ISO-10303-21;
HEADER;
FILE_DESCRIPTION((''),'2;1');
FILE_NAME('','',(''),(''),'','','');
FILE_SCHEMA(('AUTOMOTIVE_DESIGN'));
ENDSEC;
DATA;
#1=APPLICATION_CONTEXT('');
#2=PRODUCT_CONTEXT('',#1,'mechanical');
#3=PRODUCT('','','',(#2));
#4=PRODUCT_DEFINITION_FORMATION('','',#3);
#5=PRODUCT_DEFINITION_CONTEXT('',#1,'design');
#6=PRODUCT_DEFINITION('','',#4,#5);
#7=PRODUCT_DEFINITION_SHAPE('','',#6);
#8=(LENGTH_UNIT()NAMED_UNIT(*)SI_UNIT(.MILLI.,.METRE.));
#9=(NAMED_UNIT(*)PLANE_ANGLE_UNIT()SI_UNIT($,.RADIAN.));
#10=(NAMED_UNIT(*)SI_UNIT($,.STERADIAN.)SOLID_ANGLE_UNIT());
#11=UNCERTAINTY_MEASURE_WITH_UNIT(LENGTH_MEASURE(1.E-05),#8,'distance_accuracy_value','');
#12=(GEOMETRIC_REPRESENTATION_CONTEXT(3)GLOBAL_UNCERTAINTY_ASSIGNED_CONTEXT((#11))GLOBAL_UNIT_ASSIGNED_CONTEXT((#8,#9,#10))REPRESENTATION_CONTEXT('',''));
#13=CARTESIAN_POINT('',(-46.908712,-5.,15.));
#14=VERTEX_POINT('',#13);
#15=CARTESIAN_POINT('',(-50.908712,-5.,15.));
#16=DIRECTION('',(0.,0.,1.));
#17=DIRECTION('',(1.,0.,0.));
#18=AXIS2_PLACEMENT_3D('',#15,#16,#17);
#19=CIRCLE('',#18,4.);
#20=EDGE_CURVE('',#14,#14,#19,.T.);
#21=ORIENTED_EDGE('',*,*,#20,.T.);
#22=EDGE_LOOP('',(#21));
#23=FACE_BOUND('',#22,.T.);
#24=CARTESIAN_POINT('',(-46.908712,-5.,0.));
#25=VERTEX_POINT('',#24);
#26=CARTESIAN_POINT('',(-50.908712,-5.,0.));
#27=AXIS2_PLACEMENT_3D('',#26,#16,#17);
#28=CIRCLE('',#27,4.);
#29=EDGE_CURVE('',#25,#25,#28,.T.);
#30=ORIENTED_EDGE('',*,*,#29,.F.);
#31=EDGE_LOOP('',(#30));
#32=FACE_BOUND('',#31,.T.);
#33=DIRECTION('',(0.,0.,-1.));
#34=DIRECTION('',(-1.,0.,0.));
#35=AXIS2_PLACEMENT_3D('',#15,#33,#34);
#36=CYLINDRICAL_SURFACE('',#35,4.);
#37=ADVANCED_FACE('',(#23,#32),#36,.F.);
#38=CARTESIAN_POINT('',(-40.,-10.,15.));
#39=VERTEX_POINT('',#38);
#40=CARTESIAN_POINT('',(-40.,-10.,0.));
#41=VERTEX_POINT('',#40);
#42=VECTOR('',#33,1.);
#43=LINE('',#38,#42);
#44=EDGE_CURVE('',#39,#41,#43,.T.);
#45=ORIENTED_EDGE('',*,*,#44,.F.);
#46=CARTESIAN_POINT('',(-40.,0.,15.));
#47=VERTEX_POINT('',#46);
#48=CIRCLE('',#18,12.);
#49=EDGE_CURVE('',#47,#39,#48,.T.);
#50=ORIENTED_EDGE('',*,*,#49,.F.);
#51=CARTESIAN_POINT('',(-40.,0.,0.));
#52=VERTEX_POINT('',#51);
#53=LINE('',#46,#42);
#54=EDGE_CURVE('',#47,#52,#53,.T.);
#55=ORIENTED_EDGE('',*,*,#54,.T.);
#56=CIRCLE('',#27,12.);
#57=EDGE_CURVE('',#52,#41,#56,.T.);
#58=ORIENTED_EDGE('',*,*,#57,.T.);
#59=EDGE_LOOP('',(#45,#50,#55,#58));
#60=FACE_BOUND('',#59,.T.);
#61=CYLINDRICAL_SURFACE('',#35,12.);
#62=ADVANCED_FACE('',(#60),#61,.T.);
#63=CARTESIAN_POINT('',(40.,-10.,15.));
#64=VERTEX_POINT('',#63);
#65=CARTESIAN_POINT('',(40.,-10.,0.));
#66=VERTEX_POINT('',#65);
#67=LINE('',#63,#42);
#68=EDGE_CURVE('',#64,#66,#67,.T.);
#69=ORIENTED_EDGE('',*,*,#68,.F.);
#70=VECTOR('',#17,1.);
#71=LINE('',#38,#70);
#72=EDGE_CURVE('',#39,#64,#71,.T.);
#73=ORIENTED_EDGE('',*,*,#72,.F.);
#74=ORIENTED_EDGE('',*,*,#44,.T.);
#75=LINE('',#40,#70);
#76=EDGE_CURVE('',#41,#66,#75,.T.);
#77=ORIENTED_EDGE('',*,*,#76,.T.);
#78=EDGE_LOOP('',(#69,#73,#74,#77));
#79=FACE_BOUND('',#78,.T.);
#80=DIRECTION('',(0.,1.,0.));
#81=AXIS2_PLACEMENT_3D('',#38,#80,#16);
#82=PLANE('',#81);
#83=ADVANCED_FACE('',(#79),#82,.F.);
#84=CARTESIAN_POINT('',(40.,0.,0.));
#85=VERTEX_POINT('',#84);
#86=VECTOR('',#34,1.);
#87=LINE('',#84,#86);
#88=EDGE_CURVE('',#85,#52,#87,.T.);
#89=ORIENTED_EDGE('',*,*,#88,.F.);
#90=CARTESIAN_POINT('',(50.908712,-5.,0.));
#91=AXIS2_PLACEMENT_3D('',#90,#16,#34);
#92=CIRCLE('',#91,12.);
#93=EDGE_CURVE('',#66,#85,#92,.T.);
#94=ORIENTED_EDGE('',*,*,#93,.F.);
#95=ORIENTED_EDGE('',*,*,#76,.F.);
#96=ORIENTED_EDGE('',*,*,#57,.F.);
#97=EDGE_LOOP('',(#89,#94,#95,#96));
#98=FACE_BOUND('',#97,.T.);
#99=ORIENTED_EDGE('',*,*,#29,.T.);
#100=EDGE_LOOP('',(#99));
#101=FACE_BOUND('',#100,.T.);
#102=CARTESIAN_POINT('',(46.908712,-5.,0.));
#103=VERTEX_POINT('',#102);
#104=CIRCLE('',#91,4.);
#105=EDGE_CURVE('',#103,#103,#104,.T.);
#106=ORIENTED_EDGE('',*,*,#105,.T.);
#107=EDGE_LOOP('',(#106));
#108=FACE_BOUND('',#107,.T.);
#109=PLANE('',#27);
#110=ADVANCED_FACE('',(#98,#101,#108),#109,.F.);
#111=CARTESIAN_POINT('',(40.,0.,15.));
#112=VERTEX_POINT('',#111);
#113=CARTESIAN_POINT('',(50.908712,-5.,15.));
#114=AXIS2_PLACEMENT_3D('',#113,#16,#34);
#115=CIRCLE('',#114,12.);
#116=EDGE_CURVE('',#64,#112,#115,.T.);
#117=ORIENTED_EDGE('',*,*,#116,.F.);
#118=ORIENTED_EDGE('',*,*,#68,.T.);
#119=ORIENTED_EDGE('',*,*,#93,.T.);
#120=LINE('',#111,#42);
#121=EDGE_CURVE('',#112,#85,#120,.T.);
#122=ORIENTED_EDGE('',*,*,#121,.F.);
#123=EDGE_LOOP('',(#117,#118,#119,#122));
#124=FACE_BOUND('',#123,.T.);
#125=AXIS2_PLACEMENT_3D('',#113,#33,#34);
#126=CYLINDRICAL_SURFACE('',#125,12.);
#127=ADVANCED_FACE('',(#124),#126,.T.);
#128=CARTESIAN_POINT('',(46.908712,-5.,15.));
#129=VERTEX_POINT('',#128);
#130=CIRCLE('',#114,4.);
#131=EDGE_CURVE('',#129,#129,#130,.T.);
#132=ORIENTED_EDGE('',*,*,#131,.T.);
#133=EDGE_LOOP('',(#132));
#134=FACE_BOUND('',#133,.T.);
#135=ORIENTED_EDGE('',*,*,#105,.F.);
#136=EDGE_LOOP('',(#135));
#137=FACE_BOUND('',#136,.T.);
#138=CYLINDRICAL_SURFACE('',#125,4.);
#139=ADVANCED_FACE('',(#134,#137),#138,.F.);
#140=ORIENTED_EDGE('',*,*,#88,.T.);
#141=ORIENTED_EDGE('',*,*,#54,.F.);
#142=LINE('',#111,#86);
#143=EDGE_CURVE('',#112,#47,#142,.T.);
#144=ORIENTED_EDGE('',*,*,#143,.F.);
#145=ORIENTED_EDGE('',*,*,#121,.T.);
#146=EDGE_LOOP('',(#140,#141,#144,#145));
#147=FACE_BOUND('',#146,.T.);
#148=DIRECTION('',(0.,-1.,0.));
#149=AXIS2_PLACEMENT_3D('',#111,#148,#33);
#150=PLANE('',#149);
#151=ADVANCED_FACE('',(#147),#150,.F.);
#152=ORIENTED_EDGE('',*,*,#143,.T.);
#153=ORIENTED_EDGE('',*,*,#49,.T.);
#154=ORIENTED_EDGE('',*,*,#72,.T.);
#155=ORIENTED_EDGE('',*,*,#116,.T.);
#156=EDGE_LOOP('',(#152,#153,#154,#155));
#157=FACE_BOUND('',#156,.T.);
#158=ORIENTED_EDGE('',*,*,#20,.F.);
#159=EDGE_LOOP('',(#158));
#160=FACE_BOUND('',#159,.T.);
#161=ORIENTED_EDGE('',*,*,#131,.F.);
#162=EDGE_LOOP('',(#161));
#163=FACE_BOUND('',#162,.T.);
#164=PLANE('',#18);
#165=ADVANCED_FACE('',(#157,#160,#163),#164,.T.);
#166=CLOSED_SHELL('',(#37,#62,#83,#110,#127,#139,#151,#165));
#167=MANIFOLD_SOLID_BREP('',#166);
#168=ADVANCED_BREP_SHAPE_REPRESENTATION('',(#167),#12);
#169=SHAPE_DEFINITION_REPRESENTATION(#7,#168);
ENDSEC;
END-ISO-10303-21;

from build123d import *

# Parameters (mm, degrees)
SKETCH1_R           = 4
BOSS_EXTRUDE1_DEPTH = 15


with BuildPart() as part:
    # Sketch1 → Boss-Extrude1 (new body)
    with BuildSketch(Plane.XY):
        with BuildLine():
            Line((40, 0), (-40, 0))
            ThreePointArc((-40, 0), (-62.908712115, -5), (-40, -10))
            Line((-40, -10), (40, -10))
            ThreePointArc((40, -10), (62.908712115, -5), (40, 0))
        make_face()
        with Locations((-50.908712115, -5)):
            Circle(SKETCH1_R, mode=Mode.SUBTRACT)
        with Locations((50.908712115, -5)):
            Circle(SKETCH1_R, mode=Mode.SUBTRACT)
    extrude(amount=BOSS_EXTRUDE1_DEPTH)


solid = part.part
